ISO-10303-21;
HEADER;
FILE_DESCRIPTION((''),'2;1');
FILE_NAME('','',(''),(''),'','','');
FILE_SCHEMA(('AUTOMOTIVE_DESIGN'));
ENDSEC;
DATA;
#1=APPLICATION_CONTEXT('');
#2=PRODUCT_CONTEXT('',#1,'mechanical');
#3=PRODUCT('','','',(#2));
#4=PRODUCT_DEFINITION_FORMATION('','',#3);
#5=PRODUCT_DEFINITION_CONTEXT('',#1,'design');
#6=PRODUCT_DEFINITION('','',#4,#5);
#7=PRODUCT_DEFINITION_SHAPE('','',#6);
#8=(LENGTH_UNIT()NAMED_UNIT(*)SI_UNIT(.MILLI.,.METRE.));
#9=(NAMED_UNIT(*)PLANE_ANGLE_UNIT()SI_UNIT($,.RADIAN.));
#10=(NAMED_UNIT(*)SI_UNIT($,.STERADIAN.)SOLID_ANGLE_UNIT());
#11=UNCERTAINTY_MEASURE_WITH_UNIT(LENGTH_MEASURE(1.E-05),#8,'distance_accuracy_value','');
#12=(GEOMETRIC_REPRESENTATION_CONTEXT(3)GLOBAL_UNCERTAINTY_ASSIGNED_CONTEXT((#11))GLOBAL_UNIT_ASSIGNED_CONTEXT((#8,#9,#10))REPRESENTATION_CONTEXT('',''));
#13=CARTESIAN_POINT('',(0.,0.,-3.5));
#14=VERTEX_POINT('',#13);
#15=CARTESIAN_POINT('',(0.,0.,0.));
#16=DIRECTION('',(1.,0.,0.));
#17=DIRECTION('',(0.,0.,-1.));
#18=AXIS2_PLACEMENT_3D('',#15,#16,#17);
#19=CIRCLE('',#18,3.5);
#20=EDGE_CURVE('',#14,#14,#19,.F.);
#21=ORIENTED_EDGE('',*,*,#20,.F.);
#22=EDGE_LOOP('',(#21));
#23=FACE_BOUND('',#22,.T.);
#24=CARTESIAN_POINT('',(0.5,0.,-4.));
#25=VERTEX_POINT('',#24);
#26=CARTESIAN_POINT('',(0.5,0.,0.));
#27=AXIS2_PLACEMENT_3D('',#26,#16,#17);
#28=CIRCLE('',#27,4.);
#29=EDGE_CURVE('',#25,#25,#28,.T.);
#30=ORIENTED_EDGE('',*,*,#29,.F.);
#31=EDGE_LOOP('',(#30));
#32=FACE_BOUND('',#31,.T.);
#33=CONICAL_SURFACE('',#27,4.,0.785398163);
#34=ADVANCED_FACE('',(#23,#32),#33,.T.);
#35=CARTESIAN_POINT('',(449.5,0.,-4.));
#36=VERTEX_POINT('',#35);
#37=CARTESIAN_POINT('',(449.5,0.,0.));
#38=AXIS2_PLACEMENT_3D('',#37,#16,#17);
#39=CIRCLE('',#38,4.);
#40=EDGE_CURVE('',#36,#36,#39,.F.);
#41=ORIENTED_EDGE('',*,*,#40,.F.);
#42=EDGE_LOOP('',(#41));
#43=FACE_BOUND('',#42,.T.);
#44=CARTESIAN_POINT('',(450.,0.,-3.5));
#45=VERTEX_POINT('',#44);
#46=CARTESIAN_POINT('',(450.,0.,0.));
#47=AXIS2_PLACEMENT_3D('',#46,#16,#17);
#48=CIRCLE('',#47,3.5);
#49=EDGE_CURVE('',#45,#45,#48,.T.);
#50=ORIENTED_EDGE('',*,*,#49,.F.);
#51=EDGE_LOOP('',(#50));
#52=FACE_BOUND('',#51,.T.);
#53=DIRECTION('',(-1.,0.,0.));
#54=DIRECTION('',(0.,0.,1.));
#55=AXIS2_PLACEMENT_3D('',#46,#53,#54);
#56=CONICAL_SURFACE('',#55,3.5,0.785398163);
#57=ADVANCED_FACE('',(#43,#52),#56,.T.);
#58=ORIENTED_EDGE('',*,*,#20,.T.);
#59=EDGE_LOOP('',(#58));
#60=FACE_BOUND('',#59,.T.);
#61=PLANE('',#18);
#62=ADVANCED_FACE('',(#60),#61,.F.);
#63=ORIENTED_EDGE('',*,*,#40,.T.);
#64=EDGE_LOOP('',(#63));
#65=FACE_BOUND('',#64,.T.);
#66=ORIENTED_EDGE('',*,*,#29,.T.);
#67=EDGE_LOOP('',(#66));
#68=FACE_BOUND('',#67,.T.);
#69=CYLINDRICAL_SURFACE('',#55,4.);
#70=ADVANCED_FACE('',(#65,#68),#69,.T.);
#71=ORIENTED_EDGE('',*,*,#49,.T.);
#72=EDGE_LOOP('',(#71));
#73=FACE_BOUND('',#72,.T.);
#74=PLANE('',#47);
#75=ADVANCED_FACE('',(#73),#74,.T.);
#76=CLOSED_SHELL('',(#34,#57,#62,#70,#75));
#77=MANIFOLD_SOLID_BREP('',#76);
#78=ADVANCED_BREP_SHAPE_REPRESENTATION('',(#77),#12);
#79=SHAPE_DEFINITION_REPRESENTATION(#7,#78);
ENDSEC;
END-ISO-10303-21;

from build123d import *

# Parameters (mm, degrees)
SKETCH1_R           = 4
BOSS_EXTRUDE1_DEPTH = 450
CHAMFER1_SIZE       = 0.5


with BuildPart() as part:
    # Sketch1 → Boss-Extrude1 (new body)
    with BuildSketch(Plane(origin=(0, 0, 0), x_dir=(0, 0, -1), z_dir=(1, 0, 0))):
        Circle(SKETCH1_R)
    extrude(amount=BOSS_EXTRUDE1_DEPTH)

    # Chamfer1
    chamfer1_edges = [part.edges().sort_by_distance(p)[0] for p in [
        (0, 0, 4),
        (450, 0, 4),
    ]]
    chamfer(chamfer1_edges, length=CHAMFER1_SIZE)


solid = part.part
